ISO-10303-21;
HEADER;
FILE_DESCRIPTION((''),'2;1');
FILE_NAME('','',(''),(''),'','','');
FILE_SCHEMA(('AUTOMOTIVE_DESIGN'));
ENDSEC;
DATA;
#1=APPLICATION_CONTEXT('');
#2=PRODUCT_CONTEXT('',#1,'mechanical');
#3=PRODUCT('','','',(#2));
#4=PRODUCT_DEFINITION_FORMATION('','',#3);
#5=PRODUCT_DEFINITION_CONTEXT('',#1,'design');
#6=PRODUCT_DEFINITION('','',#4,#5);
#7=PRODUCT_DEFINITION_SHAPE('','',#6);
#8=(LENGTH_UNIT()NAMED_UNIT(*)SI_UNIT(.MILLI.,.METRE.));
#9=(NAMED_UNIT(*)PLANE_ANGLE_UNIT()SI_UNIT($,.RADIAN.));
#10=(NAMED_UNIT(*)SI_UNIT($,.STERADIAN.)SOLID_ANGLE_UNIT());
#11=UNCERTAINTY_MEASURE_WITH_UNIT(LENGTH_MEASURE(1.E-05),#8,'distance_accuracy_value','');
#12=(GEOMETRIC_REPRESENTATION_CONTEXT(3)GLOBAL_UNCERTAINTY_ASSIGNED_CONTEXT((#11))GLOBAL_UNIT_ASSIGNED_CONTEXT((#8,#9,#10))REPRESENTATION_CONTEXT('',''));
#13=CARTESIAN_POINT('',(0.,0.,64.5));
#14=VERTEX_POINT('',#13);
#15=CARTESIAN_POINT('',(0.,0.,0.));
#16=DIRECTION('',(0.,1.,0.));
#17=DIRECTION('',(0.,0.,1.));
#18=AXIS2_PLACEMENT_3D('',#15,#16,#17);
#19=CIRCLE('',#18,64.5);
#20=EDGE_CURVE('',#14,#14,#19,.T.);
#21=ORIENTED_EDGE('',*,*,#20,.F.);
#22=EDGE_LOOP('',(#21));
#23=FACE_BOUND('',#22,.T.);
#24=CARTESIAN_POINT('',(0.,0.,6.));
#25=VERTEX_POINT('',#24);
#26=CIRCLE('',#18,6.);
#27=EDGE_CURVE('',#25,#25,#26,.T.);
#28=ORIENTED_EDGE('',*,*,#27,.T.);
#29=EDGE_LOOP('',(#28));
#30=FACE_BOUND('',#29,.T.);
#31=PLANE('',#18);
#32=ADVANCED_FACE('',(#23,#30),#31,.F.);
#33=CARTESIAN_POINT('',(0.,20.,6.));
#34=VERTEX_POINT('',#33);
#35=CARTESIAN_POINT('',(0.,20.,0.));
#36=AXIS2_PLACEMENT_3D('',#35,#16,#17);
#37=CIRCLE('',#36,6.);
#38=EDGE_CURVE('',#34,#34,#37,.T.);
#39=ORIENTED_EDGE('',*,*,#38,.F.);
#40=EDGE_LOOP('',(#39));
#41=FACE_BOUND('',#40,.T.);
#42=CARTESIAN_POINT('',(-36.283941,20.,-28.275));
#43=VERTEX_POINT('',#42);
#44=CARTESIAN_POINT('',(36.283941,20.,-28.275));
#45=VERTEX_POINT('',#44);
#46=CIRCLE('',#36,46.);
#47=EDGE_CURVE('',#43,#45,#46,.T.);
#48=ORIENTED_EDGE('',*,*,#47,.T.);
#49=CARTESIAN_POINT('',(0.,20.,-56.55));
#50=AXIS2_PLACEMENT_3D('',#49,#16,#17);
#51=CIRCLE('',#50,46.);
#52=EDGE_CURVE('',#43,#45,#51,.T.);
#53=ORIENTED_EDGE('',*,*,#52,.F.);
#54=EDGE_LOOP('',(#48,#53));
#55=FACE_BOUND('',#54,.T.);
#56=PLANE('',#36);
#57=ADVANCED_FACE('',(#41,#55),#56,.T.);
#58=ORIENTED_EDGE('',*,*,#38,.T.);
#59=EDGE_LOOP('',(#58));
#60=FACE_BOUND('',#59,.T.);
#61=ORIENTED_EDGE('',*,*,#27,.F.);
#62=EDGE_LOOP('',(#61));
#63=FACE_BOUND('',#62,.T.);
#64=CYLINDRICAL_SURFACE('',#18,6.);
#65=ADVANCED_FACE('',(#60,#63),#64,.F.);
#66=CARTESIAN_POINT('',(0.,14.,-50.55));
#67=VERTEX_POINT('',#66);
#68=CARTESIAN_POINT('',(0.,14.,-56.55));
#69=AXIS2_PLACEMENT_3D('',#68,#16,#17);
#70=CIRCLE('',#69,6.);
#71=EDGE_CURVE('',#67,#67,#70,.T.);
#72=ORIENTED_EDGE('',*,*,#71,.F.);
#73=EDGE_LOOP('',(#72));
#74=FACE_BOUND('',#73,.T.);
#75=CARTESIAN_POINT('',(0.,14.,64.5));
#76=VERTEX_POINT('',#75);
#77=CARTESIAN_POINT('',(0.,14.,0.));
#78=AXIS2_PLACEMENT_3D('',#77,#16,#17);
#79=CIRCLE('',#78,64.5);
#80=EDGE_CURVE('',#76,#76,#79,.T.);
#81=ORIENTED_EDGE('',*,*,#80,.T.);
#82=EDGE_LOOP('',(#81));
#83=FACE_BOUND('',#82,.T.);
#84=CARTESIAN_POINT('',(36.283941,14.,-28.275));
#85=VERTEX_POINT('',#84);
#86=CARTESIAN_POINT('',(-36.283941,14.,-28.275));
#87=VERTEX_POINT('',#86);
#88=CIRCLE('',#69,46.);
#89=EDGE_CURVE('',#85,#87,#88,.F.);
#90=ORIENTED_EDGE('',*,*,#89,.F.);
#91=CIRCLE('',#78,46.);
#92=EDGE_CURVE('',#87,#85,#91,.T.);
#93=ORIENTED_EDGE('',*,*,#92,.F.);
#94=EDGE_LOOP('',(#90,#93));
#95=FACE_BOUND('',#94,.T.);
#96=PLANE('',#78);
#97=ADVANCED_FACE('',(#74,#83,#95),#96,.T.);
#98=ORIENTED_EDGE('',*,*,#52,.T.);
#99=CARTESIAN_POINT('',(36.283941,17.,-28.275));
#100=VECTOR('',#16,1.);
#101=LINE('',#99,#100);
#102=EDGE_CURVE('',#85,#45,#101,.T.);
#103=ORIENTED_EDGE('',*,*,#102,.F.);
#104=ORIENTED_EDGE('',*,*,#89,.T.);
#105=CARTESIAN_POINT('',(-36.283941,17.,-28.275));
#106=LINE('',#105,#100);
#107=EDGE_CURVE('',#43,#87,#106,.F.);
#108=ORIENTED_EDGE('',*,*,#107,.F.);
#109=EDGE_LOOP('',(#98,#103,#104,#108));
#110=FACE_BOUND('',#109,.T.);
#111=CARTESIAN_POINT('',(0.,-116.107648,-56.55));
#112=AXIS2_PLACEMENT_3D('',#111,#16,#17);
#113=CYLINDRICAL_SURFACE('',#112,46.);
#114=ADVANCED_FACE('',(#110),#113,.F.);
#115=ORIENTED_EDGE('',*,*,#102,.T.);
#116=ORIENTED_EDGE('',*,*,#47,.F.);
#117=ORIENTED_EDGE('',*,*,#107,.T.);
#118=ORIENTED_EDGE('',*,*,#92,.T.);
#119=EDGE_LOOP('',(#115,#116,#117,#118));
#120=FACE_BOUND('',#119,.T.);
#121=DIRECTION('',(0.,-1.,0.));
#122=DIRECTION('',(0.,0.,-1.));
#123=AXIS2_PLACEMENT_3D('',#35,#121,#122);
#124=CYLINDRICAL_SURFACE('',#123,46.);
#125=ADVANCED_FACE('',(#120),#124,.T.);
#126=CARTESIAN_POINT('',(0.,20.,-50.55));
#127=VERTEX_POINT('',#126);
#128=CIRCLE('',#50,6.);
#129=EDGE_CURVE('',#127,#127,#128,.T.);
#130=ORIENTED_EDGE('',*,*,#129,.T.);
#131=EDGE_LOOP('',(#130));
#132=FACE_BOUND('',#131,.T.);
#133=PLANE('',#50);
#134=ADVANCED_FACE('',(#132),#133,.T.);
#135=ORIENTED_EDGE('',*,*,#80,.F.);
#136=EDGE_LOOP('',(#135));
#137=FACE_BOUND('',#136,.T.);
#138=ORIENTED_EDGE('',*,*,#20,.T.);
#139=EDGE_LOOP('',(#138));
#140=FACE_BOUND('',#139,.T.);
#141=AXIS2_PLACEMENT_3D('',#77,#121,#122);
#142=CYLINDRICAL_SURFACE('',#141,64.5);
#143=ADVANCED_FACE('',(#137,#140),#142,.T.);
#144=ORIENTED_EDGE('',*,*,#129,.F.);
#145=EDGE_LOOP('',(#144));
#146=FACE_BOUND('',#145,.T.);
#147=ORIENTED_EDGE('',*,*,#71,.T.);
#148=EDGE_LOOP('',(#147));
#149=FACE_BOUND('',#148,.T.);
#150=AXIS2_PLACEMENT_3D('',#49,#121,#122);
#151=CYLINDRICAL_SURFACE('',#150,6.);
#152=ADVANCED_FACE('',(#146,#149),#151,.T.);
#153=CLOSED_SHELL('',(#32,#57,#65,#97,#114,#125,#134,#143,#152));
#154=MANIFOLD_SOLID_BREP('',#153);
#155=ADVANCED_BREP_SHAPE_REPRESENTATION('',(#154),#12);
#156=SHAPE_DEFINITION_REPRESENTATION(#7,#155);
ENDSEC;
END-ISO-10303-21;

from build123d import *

# Parameters (mm, degrees)
SKETCH1_R           = 64.5
BOSS_EXTRUDE1_DEPTH = 14
SKETCH2_R           = 46
BOSS_EXTRUDE2_DEPTH = 6
SKETCH3_R           = 46
CUT_EXTRUDE3_DEPTH  = 6
SKETCH4_R           = 6
BOSS_EXTRUDE3_DEPTH = 6
SKETCH6_R           = 6
CUT_EXTRUDE2_DEPTH  = 94.383617407


with BuildPart() as part:
    # Sketch1 → Boss-Extrude1 (new body)
    with BuildSketch(Plane(origin=(0, 0, 0), x_dir=(1, 0, 0), z_dir=(0, 1, 0))):
        with Locations(Location((0, 0, 0), (0, 0, 270))):
            Circle(SKETCH1_R)
    extrude(amount=BOSS_EXTRUDE1_DEPTH)

    # Sketch2 → Boss-Extrude2 (add)
    with BuildSketch(Plane(origin=(0, 14, 0), x_dir=(1, 0, 0), z_dir=(0, 1, 0))):
        with Locations(Location((0, 0, 0), (0, 0, 270))):
            Circle(SKETCH2_R)
    extrude(amount=BOSS_EXTRUDE2_DEPTH)

    # Sketch3 → Cut-Extrude3 (cut)
    with BuildSketch(Plane(origin=(0, 20, 0), x_dir=(1, 0, 0), z_dir=(0, 1, 0))):
        with Locations((0, 56.55)):
            Circle(SKETCH3_R)
    extrude(amount=-CUT_EXTRUDE3_DEPTH, mode=Mode.SUBTRACT)

    # Sketch4 → Boss-Extrude3 (add)
    with BuildSketch(Plane(origin=(0, 14, 0), x_dir=(1, 0, 0), z_dir=(0, 1, 0))):
        with Locations(Location((0, 56.55, 0), (0, 0, 270))):
            Circle(SKETCH4_R)
    extrude(amount=BOSS_EXTRUDE3_DEPTH)

    # Sketch6 → Cut-Extrude2 (cut, through all)
    with BuildSketch(Plane(origin=(0, 20, 0), x_dir=(1, 0, 0), z_dir=(0, 1, 0))):
        with Locations(Location((0, 0, 0), (0, 0, 270))):
            Circle(SKETCH6_R)
    extrude(amount=-CUT_EXTRUDE2_DEPTH, mode=Mode.SUBTRACT)


solid = part.part
